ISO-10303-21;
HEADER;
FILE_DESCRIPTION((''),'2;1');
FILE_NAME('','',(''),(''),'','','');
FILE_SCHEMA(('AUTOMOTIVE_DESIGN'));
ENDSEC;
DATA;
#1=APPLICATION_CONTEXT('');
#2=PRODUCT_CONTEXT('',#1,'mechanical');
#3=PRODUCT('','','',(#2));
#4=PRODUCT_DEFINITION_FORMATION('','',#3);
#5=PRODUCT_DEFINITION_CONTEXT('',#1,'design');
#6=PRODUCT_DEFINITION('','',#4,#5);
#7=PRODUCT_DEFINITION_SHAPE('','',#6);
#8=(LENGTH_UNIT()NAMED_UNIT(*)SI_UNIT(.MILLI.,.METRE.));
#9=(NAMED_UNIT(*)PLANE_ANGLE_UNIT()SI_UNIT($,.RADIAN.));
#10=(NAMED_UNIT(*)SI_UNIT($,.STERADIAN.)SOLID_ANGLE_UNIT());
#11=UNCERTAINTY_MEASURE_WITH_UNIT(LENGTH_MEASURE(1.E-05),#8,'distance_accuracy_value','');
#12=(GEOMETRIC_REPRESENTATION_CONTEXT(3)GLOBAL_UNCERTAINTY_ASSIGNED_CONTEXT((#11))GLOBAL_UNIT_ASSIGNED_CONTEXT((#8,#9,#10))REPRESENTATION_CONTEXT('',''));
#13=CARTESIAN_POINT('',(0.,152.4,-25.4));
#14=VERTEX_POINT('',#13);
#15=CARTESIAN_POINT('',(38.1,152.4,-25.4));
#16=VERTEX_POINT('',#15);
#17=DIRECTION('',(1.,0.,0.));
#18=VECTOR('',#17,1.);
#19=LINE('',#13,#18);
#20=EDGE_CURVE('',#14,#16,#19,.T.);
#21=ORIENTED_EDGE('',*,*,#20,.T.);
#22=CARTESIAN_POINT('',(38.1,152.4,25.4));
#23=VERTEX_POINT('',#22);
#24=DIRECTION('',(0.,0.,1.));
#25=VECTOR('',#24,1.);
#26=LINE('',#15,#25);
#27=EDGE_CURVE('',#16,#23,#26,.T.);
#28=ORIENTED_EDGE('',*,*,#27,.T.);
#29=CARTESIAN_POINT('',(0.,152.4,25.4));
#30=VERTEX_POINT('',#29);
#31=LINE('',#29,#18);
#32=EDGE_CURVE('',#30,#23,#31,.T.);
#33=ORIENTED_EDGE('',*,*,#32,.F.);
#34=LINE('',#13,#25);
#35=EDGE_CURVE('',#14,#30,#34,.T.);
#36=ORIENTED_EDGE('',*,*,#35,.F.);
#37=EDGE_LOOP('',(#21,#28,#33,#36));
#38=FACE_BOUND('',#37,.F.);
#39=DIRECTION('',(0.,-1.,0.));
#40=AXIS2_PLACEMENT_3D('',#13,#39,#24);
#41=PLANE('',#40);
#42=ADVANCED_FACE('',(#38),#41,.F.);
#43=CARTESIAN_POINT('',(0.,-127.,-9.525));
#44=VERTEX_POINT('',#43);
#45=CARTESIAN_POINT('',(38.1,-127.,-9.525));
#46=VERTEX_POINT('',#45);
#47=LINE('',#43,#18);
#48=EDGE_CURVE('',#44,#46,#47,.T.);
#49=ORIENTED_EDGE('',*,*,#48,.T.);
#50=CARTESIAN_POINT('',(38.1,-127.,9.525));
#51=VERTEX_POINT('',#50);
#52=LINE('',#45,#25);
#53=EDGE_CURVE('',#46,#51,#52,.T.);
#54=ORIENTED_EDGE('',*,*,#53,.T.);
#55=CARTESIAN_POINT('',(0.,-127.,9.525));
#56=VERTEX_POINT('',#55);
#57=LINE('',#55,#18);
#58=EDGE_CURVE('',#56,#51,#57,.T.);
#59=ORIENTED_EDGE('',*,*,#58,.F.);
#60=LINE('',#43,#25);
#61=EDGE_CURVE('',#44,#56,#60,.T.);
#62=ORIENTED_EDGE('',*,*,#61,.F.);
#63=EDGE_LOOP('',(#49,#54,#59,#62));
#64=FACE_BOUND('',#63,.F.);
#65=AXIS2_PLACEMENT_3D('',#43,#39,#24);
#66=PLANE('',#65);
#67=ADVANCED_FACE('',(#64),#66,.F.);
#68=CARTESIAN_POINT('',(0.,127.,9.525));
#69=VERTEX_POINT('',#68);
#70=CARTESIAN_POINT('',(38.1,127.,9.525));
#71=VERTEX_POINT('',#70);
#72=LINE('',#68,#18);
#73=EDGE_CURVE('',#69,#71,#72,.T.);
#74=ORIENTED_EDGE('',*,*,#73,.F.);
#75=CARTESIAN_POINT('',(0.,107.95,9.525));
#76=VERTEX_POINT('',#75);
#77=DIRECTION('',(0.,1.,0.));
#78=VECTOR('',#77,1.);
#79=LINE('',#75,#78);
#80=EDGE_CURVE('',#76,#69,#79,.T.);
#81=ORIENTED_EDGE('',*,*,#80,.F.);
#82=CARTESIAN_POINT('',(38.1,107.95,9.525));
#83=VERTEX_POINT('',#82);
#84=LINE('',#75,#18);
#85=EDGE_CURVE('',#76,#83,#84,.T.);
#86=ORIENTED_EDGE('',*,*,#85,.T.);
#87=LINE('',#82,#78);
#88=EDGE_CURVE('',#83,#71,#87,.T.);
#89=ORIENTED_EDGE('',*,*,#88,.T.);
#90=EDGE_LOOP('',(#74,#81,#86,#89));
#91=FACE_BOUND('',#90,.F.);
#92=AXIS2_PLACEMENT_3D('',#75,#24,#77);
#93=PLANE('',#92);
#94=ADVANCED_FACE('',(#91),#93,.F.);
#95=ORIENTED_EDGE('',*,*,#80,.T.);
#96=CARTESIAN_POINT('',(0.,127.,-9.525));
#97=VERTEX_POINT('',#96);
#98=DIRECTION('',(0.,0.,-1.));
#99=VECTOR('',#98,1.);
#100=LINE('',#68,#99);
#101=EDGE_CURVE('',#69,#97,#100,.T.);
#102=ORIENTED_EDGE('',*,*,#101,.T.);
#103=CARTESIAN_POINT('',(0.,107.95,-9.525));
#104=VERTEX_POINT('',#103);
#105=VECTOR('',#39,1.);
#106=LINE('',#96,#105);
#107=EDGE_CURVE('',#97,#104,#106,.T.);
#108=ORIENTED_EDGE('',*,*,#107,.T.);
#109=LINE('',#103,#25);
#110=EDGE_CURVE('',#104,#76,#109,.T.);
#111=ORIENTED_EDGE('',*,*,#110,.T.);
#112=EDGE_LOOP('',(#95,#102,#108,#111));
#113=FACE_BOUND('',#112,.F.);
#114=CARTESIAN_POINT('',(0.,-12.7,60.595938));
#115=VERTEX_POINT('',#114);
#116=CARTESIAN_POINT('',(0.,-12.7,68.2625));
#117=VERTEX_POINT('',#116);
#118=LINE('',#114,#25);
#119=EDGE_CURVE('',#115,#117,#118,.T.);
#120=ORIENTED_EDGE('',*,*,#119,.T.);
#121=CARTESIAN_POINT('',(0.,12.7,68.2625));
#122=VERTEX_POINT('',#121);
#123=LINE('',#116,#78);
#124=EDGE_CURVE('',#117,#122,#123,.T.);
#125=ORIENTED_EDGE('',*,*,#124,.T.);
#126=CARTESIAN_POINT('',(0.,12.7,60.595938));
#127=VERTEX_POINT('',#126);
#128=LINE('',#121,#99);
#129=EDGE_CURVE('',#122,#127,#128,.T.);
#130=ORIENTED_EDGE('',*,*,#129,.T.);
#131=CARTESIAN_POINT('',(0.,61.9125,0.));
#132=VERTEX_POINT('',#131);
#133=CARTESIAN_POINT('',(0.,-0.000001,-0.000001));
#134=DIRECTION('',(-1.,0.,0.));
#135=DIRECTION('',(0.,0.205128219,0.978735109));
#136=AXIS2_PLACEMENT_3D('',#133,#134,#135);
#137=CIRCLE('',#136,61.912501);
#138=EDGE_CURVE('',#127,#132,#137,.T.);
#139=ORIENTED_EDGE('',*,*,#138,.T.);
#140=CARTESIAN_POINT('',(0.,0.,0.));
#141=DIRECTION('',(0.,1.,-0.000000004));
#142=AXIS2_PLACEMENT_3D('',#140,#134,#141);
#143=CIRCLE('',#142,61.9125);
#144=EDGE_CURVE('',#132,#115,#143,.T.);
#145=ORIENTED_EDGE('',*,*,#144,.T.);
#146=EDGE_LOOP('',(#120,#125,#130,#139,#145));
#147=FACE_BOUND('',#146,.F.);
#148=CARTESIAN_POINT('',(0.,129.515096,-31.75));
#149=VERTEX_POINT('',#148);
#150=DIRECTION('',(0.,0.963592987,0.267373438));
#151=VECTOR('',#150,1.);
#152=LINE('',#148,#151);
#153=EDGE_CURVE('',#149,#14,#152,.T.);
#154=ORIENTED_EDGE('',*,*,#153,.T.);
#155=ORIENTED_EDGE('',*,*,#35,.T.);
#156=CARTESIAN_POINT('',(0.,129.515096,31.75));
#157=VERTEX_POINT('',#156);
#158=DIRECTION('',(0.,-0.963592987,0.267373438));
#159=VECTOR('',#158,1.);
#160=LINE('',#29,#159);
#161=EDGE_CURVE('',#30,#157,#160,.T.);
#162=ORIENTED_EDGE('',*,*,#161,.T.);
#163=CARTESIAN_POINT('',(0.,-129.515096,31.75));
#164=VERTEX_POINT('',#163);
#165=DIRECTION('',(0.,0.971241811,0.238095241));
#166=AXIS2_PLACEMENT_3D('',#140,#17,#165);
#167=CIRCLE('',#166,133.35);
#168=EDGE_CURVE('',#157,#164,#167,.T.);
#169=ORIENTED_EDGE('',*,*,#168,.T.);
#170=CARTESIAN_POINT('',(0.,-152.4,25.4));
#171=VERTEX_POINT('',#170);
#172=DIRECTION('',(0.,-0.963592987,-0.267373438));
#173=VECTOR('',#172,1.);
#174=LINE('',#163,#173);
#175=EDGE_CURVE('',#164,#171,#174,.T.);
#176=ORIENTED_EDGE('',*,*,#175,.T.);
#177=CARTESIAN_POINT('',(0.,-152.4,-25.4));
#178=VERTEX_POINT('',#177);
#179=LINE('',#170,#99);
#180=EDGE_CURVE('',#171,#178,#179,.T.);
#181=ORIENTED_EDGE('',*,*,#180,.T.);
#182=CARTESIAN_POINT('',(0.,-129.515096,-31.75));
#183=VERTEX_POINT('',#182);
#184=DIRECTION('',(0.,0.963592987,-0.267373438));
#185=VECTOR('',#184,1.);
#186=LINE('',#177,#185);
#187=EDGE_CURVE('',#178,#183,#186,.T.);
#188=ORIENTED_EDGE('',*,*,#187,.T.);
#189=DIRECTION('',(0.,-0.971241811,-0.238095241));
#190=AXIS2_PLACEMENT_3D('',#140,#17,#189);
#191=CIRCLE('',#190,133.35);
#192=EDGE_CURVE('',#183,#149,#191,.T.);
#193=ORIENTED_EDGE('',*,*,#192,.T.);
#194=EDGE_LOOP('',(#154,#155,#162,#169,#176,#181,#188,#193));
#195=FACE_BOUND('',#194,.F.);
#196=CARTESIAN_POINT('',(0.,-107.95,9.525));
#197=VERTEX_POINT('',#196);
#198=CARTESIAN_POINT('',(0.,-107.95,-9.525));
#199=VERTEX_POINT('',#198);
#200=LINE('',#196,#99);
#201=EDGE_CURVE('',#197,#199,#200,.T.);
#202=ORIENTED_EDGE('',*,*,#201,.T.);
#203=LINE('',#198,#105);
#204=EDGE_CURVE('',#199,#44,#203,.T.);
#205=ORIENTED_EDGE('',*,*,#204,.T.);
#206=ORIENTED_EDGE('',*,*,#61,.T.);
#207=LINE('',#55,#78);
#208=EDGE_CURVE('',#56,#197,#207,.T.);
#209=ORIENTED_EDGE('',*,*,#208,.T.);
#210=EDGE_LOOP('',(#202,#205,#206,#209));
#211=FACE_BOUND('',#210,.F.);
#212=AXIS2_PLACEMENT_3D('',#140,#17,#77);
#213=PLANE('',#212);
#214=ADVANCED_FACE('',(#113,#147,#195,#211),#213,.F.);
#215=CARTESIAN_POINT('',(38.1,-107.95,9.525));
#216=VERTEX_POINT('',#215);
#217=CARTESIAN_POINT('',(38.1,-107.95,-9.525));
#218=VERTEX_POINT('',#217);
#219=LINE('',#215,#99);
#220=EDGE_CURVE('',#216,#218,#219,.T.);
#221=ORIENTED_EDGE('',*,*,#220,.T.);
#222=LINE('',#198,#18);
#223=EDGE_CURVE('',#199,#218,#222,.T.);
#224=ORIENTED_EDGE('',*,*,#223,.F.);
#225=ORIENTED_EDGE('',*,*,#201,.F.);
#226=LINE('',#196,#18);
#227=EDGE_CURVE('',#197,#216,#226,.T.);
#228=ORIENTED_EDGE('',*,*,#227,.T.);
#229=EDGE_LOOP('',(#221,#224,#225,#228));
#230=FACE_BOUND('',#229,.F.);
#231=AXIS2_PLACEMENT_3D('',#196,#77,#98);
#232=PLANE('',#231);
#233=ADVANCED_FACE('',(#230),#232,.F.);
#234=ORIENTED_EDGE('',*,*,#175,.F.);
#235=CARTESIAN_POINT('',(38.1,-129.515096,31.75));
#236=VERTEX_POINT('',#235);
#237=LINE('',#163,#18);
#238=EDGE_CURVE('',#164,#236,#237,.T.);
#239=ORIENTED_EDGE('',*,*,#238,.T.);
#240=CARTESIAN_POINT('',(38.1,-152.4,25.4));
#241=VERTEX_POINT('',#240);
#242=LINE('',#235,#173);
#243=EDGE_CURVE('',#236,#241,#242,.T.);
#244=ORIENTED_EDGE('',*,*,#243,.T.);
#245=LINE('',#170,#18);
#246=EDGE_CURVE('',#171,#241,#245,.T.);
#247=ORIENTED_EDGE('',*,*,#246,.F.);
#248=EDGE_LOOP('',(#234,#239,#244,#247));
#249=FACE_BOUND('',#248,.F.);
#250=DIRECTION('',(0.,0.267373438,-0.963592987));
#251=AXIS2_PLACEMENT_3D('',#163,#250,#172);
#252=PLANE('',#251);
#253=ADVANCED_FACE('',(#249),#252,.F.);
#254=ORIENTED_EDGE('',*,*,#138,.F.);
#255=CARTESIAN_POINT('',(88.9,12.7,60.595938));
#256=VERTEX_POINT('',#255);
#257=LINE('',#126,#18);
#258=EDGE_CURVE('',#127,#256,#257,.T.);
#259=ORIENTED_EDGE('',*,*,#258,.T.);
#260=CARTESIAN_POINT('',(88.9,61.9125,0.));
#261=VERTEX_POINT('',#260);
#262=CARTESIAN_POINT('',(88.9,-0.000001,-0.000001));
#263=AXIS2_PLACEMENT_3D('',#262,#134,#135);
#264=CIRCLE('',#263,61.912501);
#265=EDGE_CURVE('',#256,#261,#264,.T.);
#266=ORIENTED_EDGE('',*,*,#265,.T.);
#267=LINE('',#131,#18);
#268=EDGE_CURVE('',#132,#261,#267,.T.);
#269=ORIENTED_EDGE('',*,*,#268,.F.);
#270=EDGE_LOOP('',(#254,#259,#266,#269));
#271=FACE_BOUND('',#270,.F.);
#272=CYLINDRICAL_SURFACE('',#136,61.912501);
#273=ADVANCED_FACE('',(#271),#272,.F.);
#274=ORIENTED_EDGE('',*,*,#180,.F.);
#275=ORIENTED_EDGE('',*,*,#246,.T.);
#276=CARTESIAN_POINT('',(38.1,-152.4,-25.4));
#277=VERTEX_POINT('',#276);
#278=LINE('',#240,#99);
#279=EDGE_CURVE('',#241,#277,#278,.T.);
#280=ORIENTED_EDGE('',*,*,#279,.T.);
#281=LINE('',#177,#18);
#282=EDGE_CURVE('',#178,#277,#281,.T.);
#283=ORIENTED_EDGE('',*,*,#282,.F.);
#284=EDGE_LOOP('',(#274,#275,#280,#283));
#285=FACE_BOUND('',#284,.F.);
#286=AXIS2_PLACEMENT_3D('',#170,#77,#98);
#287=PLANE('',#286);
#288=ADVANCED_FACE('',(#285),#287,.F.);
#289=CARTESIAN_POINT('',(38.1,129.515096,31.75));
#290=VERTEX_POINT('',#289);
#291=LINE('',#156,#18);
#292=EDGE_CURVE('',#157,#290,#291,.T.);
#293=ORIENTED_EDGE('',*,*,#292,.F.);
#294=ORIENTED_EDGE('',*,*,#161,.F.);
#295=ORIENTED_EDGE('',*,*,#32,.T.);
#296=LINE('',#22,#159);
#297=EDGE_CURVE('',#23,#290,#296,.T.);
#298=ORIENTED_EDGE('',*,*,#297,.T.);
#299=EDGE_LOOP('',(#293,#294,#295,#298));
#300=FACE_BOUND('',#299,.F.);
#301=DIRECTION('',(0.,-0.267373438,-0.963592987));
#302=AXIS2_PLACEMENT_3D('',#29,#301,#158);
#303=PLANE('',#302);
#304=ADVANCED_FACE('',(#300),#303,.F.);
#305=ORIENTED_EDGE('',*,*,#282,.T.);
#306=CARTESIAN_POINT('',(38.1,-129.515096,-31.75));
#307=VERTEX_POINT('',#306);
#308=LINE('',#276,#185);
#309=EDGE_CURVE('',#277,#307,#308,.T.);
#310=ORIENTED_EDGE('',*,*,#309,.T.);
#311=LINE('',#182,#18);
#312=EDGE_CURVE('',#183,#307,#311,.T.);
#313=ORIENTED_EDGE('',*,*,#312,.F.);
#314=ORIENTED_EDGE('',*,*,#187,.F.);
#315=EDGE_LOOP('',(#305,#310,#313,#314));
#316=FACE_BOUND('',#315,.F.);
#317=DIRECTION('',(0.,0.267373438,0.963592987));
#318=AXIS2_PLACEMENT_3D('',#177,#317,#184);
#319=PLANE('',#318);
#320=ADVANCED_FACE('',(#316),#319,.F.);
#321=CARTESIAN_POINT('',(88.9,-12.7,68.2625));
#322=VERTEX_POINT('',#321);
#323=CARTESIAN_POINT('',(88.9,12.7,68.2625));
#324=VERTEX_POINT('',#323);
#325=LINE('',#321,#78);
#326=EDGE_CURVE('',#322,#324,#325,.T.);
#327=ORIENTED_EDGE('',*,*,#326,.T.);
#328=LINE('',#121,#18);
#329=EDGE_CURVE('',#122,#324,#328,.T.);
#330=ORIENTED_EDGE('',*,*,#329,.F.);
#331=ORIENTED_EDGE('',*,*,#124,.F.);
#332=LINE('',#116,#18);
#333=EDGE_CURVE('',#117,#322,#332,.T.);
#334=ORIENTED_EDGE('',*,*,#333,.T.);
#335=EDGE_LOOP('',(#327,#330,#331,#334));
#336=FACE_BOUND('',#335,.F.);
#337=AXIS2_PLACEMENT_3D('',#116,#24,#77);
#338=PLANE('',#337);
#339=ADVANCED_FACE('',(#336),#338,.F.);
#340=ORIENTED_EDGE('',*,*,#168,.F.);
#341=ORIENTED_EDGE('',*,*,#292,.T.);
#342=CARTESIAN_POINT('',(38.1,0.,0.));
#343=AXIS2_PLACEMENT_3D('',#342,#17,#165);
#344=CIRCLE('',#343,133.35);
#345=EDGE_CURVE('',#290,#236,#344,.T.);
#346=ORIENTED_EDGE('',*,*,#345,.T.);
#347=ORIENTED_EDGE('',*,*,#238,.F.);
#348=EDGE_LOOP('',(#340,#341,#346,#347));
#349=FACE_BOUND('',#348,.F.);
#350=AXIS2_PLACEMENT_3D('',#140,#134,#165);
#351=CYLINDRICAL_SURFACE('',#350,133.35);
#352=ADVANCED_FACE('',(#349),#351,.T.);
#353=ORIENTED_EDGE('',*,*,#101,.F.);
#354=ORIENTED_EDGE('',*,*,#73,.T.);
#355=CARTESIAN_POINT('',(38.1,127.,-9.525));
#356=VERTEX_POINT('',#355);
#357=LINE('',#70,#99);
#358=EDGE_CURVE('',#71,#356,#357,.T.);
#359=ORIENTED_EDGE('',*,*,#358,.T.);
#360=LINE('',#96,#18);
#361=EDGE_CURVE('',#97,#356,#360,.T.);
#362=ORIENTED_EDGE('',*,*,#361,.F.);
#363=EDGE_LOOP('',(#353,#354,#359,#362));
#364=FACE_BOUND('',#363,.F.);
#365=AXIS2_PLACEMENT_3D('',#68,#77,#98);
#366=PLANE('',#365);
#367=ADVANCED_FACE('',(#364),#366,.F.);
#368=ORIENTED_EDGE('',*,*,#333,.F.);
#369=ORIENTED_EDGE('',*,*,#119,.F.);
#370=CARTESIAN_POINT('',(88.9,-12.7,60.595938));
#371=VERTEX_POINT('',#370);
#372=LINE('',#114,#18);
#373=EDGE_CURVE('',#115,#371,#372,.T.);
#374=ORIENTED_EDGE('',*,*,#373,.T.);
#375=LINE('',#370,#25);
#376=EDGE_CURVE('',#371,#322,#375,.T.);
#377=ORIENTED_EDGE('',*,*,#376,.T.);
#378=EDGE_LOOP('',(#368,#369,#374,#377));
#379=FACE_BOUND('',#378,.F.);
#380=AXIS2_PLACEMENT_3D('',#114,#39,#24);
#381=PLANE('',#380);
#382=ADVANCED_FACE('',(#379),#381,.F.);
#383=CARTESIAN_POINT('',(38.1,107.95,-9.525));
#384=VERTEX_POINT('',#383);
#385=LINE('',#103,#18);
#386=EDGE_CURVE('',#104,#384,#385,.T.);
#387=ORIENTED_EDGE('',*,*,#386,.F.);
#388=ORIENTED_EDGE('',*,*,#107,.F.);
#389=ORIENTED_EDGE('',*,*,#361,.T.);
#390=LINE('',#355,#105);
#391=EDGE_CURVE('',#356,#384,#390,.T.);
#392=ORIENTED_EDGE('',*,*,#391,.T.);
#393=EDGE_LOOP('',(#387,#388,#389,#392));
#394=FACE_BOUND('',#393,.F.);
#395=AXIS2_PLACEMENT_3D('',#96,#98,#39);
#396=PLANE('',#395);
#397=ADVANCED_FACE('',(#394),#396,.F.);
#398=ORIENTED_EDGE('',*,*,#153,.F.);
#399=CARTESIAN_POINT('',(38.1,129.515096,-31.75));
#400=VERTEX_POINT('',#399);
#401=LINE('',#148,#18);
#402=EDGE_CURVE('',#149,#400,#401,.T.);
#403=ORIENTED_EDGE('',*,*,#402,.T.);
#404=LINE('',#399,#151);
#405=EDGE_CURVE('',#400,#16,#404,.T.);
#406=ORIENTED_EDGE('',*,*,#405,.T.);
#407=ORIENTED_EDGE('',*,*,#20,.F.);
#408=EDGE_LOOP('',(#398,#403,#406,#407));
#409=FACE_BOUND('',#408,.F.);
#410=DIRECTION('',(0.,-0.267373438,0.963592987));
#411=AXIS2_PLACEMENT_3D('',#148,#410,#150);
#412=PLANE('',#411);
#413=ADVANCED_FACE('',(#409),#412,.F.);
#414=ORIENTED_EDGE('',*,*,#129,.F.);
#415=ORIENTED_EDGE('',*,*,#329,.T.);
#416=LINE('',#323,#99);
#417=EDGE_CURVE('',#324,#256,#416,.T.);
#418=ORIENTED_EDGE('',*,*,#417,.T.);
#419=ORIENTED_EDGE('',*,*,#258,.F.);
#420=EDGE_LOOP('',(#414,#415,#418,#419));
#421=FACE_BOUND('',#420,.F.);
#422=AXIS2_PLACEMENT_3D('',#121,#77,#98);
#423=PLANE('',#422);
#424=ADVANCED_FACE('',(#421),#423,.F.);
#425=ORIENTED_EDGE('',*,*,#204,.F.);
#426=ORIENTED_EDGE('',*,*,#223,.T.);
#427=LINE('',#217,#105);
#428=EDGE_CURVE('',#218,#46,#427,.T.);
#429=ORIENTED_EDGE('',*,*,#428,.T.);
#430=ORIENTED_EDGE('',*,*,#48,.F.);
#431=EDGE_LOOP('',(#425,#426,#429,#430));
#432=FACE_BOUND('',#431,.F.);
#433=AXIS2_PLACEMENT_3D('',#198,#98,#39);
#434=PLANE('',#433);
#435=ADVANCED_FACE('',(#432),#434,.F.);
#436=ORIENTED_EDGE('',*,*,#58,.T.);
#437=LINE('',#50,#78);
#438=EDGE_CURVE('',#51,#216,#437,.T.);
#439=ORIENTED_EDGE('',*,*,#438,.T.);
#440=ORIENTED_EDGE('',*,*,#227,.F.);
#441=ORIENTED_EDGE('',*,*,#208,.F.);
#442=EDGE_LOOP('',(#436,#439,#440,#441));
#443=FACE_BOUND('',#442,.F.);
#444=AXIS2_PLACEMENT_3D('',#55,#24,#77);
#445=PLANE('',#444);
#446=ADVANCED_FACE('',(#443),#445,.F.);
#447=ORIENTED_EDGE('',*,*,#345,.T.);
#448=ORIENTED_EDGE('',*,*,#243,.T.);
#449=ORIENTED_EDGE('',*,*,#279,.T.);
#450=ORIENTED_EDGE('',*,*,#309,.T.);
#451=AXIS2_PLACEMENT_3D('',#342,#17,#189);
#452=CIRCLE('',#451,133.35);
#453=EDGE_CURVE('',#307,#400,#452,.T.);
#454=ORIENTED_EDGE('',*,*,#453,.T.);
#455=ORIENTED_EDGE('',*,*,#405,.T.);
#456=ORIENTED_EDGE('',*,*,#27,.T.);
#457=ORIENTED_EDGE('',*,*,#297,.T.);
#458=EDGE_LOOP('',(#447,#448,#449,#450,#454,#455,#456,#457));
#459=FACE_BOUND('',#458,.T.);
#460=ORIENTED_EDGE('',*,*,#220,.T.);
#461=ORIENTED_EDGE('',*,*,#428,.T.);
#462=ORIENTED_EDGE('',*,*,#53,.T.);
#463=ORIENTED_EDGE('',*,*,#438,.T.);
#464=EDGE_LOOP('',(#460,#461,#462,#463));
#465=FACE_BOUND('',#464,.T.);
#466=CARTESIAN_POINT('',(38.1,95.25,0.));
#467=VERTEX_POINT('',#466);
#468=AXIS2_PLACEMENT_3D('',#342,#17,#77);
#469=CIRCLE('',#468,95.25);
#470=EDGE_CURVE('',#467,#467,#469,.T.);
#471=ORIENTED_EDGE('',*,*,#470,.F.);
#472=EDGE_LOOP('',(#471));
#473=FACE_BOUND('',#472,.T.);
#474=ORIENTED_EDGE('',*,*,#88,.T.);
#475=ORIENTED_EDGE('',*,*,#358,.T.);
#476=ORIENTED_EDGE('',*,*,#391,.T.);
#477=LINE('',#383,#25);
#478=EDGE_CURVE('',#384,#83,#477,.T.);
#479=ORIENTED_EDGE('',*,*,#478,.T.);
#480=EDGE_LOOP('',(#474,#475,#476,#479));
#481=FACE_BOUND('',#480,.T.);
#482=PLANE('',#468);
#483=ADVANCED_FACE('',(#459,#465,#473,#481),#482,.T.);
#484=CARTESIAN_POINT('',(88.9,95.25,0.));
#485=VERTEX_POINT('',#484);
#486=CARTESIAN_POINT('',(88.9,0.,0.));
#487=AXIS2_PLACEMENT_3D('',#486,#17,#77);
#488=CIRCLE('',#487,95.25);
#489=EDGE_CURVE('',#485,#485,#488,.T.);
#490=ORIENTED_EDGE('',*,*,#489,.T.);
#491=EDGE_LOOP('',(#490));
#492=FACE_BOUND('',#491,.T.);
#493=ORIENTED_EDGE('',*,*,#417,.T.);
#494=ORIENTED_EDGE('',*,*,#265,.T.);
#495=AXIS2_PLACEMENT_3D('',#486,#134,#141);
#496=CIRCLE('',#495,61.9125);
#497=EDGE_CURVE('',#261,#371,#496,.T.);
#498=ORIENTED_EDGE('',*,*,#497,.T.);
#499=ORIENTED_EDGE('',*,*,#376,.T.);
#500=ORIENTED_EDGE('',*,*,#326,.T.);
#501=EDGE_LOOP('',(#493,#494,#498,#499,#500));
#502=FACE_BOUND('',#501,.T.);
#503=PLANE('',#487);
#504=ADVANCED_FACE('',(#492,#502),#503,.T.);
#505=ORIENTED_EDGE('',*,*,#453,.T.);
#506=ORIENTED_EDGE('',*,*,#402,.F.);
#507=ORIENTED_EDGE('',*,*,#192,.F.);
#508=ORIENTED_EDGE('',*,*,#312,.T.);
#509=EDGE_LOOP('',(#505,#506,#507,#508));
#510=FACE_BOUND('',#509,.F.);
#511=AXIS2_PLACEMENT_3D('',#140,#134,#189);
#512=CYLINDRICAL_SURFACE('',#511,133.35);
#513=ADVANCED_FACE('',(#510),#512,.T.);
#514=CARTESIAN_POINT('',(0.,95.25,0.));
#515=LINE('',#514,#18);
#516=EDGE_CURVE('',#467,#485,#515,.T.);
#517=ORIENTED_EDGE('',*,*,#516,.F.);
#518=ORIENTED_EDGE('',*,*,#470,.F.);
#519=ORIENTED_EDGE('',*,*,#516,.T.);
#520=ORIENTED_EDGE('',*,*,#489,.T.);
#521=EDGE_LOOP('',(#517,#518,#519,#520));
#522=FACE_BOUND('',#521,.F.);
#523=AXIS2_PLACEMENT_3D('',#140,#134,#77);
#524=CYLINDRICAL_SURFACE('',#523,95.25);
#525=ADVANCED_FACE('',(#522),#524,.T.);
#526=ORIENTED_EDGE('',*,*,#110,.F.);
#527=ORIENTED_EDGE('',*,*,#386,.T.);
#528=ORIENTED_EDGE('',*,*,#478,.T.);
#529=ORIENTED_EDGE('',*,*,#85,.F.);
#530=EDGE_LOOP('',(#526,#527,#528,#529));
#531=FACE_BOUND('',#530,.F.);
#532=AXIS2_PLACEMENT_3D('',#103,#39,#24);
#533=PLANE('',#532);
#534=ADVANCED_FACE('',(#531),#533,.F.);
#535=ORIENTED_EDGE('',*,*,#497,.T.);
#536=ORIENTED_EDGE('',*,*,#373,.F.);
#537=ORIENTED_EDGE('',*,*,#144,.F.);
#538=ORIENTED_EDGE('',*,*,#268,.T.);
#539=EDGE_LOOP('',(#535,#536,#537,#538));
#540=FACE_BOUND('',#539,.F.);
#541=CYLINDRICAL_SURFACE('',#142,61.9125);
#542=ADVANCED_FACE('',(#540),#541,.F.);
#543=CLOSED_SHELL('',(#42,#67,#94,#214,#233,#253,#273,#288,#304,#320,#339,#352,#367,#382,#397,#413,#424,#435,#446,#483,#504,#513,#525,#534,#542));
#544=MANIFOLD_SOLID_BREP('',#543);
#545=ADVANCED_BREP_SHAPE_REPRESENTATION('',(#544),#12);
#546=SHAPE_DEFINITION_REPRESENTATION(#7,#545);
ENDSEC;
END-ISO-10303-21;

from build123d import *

# Parameters (mm, degrees)
F0_R     = 95.25
F1_DEPTH = 88.9
F2_DEPTH = 38.1


with BuildPart() as f1:
    # F0 (on Right) → F1 (new body)
    with BuildSketch(Plane.YZ):
        Circle(F0_R)
        with BuildLine():
            ThreePointArc((12.7, 60.595938), (48.05958, 39.031198), (61.9125, 0))
            ThreePointArc((61.9125, 0), (-39.031198, -48.05958), (-12.7, 60.595938))
            Line((-12.7, 60.595938), (-12.7, 68.2625))
            Line((-12.7, 68.2625), (12.7, 68.2625))
            Line((12.7, 68.2625), (12.7, 60.595938))
        make_face(mode=Mode.SUBTRACT)
    extrude(amount=F1_DEPTH)

    # F0 (on Right) → F2 (join)
    with BuildSketch(Plane.YZ):
        with BuildLine():
            Line((-152.4, -25.4), (-129.515096, -31.75))
            ThreePointArc((-129.515096, -31.75), (0, -133.35), (129.515096, -31.75))
            Line((129.515096, -31.75), (152.4, -25.4))
            Line((152.4, -25.4), (152.4, 25.4))
            Line((152.4, 25.4), (129.515096, 31.75))
            ThreePointArc((129.515096, 31.75), (0, 133.35), (-129.515096, 31.75))
            Line((-129.515096, 31.75), (-152.4, 25.4))
            Line((-152.4, 25.4), (-152.4, -25.4))
        make_face()
        Polygon((-127, -9.525), (-127, 9.525), (-107.95, 9.525), (-107.95, 0), (-107.95, -9.525), align=None, mode=Mode.SUBTRACT)
        Circle(F0_R, mode=Mode.SUBTRACT)
        Polygon((107.95, 0), (107.95, 9.525), (127, 9.525), (127, -9.525), (107.95, -9.525), align=None, mode=Mode.SUBTRACT)
    extrude(amount=F2_DEPTH)


solid = f1.part
